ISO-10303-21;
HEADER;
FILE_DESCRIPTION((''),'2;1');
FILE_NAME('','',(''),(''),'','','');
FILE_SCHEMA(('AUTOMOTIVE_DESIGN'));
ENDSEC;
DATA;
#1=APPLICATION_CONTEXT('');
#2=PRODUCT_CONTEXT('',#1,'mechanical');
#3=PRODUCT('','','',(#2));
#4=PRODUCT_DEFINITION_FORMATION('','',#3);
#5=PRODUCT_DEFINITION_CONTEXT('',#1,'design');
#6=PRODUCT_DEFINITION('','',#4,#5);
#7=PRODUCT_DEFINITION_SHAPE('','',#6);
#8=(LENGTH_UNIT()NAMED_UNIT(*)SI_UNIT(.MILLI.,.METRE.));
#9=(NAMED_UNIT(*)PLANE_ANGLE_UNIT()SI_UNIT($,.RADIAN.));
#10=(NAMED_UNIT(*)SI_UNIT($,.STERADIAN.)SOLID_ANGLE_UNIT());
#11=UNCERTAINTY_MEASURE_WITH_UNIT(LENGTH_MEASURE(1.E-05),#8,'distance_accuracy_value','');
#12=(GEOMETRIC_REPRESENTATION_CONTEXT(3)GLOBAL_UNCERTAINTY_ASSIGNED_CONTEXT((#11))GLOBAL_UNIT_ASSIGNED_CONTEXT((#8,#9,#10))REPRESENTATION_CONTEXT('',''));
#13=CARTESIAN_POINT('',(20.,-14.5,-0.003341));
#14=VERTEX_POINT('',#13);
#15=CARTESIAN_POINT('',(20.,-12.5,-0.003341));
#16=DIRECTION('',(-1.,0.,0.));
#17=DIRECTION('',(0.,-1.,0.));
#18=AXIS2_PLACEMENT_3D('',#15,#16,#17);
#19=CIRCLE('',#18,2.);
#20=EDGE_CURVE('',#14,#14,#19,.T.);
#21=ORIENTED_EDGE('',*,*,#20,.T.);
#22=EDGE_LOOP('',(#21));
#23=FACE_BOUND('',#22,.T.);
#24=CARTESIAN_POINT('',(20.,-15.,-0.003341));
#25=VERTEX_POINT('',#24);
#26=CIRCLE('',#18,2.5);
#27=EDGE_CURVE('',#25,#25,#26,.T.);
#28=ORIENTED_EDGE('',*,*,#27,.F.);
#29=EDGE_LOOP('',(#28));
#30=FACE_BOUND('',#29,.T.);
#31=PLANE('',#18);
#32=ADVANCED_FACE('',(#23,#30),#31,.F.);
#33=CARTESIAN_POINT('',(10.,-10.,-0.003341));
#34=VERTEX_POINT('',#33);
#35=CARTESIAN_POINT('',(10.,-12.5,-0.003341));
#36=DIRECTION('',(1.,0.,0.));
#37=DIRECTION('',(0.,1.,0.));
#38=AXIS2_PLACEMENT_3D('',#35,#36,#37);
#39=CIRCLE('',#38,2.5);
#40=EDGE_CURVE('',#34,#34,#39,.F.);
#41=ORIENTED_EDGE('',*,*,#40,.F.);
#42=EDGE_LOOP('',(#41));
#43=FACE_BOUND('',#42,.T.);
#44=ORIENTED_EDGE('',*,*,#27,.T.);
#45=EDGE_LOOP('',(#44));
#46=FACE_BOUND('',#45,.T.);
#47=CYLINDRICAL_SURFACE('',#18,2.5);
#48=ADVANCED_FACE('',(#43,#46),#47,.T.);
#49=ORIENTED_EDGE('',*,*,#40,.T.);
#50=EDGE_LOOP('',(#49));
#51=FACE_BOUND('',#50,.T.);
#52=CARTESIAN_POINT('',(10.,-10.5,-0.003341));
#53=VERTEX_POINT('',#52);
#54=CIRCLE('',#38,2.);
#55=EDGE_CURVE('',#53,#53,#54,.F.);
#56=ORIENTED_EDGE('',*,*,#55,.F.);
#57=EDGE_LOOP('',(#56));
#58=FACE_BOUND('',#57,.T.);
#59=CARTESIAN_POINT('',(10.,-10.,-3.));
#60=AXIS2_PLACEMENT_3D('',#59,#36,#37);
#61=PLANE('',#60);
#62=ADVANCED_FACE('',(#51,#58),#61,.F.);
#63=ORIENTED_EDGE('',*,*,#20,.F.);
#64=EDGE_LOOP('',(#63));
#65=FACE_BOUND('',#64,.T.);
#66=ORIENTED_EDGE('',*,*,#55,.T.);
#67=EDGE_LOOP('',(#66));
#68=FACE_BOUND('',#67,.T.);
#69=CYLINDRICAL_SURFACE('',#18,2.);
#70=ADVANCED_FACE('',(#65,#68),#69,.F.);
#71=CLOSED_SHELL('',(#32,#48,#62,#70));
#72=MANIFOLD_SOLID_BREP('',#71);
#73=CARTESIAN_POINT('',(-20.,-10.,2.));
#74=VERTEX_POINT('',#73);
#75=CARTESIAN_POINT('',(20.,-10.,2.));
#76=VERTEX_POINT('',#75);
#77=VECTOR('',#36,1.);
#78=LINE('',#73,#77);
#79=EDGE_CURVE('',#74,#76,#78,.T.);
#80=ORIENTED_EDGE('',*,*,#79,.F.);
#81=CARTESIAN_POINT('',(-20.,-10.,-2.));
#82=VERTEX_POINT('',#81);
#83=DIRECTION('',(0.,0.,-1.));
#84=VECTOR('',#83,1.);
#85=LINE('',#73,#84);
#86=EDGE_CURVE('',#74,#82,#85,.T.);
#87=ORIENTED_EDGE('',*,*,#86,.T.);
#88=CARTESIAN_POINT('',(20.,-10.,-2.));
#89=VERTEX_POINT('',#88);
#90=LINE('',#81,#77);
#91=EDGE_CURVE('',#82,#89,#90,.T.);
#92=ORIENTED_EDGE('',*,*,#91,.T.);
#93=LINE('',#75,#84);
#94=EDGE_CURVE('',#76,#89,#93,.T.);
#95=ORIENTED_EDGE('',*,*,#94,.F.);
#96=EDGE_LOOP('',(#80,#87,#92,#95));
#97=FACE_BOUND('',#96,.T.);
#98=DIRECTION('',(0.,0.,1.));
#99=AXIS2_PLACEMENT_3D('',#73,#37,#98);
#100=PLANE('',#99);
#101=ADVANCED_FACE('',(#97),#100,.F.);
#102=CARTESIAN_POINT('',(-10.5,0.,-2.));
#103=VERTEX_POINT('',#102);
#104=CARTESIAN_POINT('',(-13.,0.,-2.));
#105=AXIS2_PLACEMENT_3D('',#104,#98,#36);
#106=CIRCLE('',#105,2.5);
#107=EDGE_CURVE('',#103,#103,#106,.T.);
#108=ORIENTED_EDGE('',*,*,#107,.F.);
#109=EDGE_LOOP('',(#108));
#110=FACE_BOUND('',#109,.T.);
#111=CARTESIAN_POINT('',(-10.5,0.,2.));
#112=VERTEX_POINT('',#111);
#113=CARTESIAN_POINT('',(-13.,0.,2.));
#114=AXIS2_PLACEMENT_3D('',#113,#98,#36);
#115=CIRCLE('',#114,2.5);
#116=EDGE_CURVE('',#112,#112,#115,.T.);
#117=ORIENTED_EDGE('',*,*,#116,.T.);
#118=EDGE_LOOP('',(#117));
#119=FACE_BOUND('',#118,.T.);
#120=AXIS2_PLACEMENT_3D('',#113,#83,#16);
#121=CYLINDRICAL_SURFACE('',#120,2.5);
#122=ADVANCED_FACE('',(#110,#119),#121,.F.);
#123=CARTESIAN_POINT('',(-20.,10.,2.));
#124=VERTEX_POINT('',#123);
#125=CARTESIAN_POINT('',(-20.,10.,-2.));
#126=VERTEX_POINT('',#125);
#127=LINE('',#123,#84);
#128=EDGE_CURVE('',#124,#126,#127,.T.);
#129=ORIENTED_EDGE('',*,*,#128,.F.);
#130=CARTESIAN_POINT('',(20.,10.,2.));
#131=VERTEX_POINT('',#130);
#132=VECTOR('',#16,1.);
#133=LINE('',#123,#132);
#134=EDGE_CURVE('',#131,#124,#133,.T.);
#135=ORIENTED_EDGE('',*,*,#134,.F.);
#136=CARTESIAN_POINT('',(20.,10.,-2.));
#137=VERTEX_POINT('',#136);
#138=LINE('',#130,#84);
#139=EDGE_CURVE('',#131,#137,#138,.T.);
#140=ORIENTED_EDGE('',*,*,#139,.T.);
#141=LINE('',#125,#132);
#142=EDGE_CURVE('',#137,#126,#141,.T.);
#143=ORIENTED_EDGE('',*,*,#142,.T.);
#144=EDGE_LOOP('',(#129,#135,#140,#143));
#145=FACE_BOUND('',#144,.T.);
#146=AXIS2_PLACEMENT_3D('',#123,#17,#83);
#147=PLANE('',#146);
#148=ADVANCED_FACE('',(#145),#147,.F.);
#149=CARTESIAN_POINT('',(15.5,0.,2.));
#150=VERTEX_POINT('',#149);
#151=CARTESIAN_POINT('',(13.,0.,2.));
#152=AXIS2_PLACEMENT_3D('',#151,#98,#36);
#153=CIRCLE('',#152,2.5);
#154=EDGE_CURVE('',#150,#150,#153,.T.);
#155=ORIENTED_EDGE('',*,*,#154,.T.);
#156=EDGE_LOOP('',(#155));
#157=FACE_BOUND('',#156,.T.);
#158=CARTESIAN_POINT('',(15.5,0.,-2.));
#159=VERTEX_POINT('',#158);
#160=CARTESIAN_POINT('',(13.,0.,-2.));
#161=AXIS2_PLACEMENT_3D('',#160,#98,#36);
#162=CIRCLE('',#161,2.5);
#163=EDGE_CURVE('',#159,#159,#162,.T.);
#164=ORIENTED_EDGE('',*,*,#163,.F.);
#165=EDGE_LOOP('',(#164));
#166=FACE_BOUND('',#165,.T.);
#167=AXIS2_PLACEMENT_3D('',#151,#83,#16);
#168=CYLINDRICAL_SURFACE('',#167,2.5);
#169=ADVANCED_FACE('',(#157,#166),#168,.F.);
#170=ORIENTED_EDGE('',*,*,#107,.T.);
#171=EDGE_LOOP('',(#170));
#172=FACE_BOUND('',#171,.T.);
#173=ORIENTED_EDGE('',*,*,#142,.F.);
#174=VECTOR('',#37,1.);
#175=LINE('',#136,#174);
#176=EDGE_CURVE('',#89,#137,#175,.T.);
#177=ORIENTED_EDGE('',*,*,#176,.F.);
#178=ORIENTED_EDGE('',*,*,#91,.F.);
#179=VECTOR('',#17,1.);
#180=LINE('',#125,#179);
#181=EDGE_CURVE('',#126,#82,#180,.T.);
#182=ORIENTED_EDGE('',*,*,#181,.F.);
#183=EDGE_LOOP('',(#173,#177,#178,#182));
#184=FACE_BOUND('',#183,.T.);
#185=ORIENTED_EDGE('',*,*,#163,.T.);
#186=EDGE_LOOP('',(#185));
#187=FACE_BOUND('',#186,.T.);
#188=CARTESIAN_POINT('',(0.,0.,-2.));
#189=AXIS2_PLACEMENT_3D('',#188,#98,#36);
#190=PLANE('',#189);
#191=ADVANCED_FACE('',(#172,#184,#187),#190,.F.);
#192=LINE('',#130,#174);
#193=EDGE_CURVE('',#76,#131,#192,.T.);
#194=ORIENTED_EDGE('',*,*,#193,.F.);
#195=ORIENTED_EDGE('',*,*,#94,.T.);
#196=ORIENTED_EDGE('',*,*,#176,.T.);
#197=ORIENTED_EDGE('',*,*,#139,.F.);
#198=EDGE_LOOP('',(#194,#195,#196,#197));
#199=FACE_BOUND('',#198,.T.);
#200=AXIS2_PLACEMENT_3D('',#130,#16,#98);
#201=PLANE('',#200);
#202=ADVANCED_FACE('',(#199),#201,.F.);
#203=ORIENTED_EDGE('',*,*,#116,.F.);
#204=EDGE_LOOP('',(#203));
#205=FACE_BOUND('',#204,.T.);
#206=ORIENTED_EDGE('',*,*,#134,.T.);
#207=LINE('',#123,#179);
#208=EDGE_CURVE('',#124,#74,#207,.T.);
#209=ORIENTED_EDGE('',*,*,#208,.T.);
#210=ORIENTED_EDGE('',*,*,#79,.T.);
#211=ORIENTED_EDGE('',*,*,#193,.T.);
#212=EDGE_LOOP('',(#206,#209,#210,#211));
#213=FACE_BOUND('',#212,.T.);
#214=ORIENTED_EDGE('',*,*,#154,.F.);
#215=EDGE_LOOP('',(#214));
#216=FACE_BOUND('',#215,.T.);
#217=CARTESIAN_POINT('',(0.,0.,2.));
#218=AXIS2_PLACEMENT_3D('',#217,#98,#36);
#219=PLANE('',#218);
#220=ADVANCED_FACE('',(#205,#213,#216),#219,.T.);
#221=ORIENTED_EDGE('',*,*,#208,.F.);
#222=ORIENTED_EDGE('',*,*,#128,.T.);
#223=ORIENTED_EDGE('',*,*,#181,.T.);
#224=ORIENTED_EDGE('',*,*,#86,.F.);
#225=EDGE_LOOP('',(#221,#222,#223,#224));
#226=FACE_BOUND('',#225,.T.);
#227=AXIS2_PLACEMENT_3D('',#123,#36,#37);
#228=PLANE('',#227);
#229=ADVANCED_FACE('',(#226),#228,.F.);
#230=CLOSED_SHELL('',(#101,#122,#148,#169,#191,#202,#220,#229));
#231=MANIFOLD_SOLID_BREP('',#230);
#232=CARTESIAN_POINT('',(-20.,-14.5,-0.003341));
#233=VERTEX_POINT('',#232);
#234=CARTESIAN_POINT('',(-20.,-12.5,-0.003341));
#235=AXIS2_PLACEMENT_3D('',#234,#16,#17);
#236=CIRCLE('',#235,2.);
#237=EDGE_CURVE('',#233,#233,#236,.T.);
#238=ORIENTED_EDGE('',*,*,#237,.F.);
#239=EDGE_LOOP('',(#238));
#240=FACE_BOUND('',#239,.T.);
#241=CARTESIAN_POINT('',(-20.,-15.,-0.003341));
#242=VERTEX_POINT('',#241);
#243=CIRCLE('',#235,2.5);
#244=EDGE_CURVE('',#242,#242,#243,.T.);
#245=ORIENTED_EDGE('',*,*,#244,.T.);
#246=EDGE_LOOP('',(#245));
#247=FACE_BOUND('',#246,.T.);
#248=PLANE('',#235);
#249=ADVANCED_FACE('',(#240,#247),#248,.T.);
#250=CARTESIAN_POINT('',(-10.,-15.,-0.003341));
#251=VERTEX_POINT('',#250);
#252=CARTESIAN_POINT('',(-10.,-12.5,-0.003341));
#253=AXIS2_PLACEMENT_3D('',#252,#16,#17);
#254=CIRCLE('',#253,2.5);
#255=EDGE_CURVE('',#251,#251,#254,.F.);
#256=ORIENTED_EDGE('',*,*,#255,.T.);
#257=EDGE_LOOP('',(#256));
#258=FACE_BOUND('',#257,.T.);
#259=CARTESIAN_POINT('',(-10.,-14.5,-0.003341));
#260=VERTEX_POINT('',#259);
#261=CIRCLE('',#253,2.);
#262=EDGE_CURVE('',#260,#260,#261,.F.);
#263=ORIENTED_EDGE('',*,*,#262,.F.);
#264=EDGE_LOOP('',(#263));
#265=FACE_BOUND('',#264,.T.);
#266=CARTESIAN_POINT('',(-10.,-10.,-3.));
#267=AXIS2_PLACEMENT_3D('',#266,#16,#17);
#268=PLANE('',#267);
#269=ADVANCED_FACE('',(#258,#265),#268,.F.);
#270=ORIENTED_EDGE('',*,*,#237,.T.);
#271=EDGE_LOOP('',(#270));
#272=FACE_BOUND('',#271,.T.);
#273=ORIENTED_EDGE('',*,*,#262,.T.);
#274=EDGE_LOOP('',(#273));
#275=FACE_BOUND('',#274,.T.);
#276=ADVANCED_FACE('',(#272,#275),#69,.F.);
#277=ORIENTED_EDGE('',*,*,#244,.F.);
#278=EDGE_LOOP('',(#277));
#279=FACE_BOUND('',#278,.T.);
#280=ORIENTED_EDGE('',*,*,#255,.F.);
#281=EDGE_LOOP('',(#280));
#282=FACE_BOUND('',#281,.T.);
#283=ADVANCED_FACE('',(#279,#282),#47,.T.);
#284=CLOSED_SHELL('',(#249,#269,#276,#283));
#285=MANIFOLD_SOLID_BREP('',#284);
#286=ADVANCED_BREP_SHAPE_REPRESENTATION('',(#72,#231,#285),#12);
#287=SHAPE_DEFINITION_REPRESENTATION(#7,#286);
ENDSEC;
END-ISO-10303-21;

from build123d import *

# Parameters (mm, degrees)
SKETCH1_W           = 40
SKETCH1_H           = 20
SKETCH1_R           = 2.5
BOSS_EXTRUDE1_DEPTH = 2
SKETCH3_R           = 2.5
SKETCH3_R_2         = 2
BOSS_EXTRUDE2_DEPTH = 40
SKETCH4_W           = 20
SKETCH4_H           = 5.18072448
CUT_EXTRUDE1_DEPTH  = 5


with BuildPart() as part:
    # Sketch1 → Boss-Extrude1 (new body, symmetric)
    with BuildSketch(Plane.XY):
        Rectangle(SKETCH1_W, SKETCH1_H)
        with Locations((-13, 0)):
            Circle(SKETCH1_R, mode=Mode.SUBTRACT)
        with Locations((13, 0)):
            Circle(SKETCH1_R, mode=Mode.SUBTRACT)
    extrude(amount=BOSS_EXTRUDE1_DEPTH, both=True)


with BuildPart() as body_2:
    # Sketch3 → Boss-Extrude2 (new body)
    with BuildSketch(Plane.ZY.offset(20)):
        with Locations((-0.003340528, -12.5)):
            Circle(SKETCH3_R)
        with Locations((-0.003340528, -12.5)):
            Circle(SKETCH3_R_2, mode=Mode.SUBTRACT)
    extrude(amount=-BOSS_EXTRUDE2_DEPTH)

    # Sketch4 → Cut-Extrude1 (cut, symmetric)
    with BuildSketch(Plane.XY.offset(2)):
        with Locations((0, -12.59036224)):
            Rectangle(SKETCH4_W, SKETCH4_H)
    extrude(amount=CUT_EXTRUDE1_DEPTH, both=True, mode=Mode.SUBTRACT)


solid = Compound([part.part, body_2.part])
